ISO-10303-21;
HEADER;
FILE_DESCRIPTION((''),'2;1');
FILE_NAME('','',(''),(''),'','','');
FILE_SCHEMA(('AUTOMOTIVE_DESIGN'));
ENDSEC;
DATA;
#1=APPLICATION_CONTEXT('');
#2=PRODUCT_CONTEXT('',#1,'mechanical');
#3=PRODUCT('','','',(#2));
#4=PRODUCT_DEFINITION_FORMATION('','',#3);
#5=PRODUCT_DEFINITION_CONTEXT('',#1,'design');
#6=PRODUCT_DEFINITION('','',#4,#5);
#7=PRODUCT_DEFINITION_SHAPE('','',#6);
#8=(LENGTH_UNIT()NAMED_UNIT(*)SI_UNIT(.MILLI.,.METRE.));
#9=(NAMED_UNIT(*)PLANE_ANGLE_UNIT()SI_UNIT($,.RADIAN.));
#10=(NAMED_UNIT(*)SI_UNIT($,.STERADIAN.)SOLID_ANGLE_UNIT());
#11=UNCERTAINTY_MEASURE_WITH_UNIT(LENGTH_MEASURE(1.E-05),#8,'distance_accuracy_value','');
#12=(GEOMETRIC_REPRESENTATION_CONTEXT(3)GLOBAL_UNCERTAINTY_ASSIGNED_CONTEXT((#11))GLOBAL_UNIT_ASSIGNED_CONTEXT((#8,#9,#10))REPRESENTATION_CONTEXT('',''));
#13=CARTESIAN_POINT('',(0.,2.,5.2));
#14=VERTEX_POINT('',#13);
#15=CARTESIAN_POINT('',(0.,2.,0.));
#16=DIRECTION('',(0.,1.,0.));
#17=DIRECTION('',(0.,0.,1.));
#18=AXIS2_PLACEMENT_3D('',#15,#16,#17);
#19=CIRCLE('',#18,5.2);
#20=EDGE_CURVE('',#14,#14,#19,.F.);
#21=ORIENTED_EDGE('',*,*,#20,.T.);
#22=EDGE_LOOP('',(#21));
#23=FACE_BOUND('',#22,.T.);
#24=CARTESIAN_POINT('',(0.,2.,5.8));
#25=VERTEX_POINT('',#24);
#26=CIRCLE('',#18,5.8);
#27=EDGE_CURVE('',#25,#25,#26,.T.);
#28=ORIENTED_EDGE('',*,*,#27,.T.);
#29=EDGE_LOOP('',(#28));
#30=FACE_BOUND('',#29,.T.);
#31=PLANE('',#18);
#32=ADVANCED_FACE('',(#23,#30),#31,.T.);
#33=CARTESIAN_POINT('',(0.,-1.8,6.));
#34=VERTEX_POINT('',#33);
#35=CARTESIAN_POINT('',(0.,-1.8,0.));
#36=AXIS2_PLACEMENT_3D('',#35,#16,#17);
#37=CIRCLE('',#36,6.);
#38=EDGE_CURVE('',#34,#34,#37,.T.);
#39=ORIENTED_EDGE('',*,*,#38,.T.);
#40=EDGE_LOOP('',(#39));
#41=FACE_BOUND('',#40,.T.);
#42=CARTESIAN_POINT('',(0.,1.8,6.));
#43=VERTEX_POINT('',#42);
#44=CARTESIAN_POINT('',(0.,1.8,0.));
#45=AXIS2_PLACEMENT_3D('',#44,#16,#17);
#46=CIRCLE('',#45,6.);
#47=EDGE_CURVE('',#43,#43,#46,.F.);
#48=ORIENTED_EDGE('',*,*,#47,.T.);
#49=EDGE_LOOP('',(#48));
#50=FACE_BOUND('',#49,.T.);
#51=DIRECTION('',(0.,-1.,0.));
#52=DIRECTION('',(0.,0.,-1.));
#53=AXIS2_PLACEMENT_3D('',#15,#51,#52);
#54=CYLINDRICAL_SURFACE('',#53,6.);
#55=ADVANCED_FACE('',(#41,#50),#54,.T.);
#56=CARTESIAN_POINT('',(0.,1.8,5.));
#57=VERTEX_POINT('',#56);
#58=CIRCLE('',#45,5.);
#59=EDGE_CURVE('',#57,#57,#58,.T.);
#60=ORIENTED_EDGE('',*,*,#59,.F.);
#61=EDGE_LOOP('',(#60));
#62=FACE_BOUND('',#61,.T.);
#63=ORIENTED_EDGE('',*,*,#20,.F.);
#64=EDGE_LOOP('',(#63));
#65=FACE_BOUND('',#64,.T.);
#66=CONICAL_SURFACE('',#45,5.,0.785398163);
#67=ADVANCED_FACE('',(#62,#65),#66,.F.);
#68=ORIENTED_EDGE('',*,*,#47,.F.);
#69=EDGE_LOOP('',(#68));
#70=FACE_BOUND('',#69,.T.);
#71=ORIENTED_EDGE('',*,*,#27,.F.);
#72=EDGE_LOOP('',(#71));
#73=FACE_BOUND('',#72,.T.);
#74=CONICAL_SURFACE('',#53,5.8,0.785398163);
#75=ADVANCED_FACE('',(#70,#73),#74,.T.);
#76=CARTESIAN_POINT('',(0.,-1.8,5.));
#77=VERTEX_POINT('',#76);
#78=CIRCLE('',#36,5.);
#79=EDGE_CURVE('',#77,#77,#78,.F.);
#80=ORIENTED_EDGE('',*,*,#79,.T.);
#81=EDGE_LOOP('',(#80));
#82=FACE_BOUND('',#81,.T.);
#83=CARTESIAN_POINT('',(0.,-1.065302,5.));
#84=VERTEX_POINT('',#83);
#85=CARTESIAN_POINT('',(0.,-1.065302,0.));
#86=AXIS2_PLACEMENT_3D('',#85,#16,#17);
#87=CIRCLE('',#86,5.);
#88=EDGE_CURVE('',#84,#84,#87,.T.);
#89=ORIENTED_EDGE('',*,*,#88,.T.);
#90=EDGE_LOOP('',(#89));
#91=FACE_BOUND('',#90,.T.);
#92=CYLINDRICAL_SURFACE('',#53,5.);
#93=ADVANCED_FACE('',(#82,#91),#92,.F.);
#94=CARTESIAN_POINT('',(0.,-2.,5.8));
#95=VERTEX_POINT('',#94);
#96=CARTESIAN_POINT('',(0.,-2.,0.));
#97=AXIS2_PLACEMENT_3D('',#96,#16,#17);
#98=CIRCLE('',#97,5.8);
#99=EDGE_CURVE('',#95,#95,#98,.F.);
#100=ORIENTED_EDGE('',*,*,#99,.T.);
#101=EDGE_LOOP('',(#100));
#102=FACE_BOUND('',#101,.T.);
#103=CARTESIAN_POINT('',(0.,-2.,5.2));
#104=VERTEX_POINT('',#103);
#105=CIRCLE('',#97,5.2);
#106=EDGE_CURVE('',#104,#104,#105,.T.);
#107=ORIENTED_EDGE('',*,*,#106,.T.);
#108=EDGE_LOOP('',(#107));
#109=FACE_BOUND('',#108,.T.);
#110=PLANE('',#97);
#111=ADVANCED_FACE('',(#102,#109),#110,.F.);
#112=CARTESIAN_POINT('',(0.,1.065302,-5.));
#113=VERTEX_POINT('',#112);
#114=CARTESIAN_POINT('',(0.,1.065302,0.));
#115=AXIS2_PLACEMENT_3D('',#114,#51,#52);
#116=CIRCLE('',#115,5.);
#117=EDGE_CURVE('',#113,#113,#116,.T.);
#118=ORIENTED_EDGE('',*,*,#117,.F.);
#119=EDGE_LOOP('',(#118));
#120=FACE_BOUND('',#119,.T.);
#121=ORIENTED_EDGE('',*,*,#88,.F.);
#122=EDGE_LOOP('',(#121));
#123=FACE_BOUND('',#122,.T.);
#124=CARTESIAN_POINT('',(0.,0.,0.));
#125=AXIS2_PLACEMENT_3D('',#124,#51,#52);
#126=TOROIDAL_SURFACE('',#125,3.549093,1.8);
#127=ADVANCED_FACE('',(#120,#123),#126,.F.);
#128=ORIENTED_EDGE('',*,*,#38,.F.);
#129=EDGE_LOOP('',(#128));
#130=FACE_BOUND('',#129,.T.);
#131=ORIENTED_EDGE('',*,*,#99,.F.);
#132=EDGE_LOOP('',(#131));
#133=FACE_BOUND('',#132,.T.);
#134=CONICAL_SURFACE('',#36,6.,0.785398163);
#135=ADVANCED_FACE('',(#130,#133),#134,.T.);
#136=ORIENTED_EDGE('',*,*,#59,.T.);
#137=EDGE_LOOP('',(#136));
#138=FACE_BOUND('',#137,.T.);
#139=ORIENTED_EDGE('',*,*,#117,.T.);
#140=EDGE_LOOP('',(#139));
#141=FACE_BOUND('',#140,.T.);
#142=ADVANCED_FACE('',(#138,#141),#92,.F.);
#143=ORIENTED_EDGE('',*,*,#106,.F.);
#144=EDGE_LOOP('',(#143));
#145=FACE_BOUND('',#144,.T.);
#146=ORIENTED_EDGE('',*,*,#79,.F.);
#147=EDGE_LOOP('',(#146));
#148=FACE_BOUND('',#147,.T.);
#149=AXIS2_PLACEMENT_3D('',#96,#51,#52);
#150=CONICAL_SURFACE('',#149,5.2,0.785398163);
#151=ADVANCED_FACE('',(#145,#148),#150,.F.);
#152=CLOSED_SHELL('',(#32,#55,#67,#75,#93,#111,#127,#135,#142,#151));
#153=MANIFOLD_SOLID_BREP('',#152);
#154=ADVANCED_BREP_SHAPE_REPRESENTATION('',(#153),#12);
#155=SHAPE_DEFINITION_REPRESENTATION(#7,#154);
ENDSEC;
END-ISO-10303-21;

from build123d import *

# Parameters (mm, degrees)
SKETCH1_R           = 6
SKETCH1_R_2         = 5
BOSS_EXTRUDE1_DEPTH = 2
CHAMFER1_SIZE       = 0.2
SKETCH2_R           = 1.8


with BuildPart() as part:
    # Sketch1 → Boss-Extrude1 (new body, symmetric)
    with BuildSketch(Plane(origin=(0, 0, 0), x_dir=(1, 0, 0), z_dir=(0, 1, 0))):
        Circle(SKETCH1_R)
        Circle(SKETCH1_R_2, mode=Mode.SUBTRACT)
    extrude(amount=BOSS_EXTRUDE1_DEPTH, both=True)

    # Chamfer1
    chamfer1_edges = [part.edges().sort_by_distance(p)[0] for p in [
        (-6, -2, 0),
        (-6, 2, 0),
        (-5, -2, 0),
        (-5, 2, 0),
    ]]
    chamfer(chamfer1_edges, length=CHAMFER1_SIZE)

    # Cut-Sweep1: sweep along a path in Sketch3
    with BuildLine(Plane(origin=(0, 0, 0), x_dir=(1, 0, 0), z_dir=(0, 1, 0))) as cut_sweep1_path:
        CenterArc((0, 0), 3.542184236, 0, 360)
    # Sketch2 → Cut-Sweep1 (sweep, cut)
    with BuildSketch(Plane(origin=(0, 0, 0), x_dir=(0, 0, -1), z_dir=(1, 0, 0))):
        with Locations((-3.549093178, 0)):
            Circle(SKETCH2_R)
    sweep(path=cut_sweep1_path.line, mode=Mode.SUBTRACT)


solid = part.part
